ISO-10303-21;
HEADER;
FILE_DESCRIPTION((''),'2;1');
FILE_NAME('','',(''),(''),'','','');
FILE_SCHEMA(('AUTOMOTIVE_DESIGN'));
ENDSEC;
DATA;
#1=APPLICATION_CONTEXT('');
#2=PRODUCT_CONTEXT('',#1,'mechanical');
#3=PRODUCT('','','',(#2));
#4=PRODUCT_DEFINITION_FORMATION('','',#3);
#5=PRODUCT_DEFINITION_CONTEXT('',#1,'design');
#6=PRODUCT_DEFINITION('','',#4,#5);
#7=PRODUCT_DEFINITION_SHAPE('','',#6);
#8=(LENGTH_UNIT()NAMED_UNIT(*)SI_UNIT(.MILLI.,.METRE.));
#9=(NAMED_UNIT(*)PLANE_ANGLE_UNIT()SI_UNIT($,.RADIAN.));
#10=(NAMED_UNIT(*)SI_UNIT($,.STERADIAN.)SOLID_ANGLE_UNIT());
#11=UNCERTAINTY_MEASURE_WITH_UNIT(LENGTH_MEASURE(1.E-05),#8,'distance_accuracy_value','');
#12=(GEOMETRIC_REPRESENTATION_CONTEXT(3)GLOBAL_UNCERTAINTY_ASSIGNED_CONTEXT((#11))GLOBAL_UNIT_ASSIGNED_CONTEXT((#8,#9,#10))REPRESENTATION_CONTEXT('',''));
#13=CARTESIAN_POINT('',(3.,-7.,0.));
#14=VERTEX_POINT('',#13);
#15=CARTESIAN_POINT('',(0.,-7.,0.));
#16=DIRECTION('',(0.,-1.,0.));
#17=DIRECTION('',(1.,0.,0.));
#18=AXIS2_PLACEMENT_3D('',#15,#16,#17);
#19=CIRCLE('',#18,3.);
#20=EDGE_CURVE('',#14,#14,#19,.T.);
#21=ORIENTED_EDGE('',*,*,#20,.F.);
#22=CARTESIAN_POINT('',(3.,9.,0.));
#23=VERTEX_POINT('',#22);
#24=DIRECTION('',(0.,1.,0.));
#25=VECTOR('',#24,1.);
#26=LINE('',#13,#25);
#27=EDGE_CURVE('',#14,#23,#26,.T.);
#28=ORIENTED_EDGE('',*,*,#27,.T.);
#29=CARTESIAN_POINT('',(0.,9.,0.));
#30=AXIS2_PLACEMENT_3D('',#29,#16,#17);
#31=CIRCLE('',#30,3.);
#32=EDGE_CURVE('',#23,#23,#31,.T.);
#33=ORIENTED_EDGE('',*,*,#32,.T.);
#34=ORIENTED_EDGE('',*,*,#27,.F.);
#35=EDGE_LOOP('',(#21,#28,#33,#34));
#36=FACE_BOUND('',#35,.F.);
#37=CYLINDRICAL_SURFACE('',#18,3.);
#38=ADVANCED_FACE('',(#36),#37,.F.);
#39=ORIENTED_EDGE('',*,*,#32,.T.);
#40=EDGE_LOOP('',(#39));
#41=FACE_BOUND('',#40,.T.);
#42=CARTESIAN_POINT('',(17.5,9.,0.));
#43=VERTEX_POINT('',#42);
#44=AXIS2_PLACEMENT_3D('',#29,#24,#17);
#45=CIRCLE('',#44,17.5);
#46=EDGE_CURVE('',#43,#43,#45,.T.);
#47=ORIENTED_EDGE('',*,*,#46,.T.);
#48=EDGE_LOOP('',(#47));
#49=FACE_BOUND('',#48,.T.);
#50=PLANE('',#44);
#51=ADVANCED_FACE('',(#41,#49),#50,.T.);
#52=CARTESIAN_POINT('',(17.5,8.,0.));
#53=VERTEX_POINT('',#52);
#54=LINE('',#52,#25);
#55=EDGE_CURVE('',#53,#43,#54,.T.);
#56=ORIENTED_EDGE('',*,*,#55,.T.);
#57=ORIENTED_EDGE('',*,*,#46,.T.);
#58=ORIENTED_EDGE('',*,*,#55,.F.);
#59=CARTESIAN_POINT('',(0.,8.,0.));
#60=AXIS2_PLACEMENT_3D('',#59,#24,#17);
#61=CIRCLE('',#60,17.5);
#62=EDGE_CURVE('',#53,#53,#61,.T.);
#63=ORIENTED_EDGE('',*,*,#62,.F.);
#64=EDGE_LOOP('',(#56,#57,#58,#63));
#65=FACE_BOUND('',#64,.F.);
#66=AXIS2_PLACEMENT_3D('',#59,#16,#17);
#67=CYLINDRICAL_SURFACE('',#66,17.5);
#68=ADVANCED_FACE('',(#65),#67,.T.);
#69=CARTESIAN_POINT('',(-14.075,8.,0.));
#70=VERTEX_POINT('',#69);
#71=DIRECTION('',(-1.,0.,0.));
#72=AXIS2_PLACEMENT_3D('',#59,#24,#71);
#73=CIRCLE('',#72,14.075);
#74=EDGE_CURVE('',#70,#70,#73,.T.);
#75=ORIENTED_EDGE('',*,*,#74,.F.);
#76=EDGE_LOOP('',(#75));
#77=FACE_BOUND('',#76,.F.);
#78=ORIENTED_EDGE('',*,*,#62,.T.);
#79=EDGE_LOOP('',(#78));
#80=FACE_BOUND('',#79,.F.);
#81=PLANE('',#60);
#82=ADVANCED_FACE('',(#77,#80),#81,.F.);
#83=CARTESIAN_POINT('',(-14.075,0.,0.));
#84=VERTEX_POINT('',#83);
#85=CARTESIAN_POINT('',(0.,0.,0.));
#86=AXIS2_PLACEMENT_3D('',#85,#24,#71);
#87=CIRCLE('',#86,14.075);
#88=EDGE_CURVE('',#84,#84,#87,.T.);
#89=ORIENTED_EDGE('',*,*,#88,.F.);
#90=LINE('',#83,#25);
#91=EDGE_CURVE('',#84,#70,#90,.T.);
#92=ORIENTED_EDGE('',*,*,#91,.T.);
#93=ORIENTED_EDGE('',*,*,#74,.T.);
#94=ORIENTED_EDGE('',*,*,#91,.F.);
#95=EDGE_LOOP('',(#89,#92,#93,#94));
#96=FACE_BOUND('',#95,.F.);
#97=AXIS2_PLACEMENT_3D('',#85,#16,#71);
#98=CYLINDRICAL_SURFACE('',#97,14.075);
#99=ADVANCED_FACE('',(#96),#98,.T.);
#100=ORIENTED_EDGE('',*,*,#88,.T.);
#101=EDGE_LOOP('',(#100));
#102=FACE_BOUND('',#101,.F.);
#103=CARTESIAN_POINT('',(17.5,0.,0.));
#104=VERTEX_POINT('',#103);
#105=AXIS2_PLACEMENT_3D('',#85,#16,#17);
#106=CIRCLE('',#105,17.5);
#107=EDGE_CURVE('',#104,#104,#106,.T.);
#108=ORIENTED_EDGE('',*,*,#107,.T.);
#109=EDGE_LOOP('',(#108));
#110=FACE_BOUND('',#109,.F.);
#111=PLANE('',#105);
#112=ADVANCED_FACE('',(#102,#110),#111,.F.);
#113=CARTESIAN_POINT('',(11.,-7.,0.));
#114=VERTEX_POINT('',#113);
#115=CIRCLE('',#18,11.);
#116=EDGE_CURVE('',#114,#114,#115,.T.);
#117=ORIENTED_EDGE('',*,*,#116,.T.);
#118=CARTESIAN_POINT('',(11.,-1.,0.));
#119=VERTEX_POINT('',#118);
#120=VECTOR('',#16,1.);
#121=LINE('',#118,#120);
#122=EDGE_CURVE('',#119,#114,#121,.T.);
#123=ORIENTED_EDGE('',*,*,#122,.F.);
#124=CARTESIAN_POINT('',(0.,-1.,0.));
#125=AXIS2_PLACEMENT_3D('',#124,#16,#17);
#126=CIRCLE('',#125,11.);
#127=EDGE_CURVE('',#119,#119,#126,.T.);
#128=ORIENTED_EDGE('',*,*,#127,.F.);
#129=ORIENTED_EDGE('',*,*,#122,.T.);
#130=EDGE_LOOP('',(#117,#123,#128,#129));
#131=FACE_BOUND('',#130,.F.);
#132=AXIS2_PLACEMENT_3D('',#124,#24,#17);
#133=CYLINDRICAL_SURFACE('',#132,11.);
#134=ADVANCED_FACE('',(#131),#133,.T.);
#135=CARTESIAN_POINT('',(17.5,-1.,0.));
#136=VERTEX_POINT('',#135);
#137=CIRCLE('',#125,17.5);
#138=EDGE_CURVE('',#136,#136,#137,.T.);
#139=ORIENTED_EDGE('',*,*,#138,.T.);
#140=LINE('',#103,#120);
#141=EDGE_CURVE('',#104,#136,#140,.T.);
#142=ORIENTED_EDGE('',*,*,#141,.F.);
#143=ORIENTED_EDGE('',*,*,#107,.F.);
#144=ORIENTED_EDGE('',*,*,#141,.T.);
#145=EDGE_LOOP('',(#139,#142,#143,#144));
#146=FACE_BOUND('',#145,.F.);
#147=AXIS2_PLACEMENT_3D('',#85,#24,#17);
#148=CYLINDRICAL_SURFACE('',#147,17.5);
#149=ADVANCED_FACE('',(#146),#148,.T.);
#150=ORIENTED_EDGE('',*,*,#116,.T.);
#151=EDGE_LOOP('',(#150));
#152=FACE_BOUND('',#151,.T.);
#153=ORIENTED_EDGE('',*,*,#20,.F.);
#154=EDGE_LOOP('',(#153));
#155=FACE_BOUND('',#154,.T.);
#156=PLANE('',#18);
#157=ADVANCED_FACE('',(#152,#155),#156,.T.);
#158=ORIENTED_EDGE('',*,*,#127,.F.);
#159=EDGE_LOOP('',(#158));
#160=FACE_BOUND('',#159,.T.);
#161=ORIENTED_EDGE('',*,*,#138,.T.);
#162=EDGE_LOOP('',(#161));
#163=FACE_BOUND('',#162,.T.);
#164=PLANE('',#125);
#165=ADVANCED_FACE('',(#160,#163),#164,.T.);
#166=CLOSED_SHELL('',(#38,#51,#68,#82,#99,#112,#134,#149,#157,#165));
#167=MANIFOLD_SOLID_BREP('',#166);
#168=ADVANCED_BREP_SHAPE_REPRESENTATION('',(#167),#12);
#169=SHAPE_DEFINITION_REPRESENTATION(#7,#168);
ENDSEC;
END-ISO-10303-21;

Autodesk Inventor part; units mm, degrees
ref_plane "YZ Plane" through (0, 0, 0) normal (1, 0, 0) x (0, 1, 0)
ref_plane "XZ Plane" through (0, 0, 0) normal (0, 1, 0) x (-1, 0, 0)
ref_plane "XY Plane" through (0, 0, 0) normal (0, 0, 1) x (1, 0, 0)
sketch "Esquisse1" plane through (0, 0, 0) normal (0, 1, 0) x (-1, 0, 0)
  circle A0 centre (0, 0) radius 14.075
  dimension "d0" = 28.15
extrude "Extrusion1" add sketch "Esquisse1" along normal blind 8
sketch "Esquisse2" plane through (0, 8, 0) normal (0, 1, 0) x (1, 0, 0)
  circle A0 centre (0, 0) radius 14.075 projected
  circle A1 centre (0, 0) radius 17.5
  dimension "d3" = 35
extrude "Extrusion2" add sketch "Esquisse2" along normal blind 1 contours A0 | A1
sketch "Esquisse3" plane through (0, 0, 0) normal (0, -1, 0) x (1, 0, 0)
  circle A0 centre (0, 0) radius 14.075 projected
  circle A1 centre (0, 0) radius 17.5
  dimension "d6" = 35
extrude "Extrusion3" add sketch "Esquisse3" along normal blind 1 contours A0 | A1
sketch "Esquisse4" plane through (0, -1, 0) normal (0, -1, 0) x (1, 0, 0)
  circle A0 centre (0, 0) radius 17.5 projected
  circle A1 centre (0, 0) radius 11
  dimension "d9" = 22
extrude "Extrusion4" add sketch "Esquisse4" along normal blind 6 contours A1
sketch "Esquisse5" plane through (0, -7, 0) normal (0, -1, 0) x (1, 0, 0)
  circle A0 centre (0, 0) radius 11 projected
  circle A1 centre (0, 0) radius 3
  dimension "d12" = 6
extrude "Extrusion5" cut sketch "Esquisse5" against normal through all contours A1
properties part number "poulie_rs_16T2p5s40-2"
